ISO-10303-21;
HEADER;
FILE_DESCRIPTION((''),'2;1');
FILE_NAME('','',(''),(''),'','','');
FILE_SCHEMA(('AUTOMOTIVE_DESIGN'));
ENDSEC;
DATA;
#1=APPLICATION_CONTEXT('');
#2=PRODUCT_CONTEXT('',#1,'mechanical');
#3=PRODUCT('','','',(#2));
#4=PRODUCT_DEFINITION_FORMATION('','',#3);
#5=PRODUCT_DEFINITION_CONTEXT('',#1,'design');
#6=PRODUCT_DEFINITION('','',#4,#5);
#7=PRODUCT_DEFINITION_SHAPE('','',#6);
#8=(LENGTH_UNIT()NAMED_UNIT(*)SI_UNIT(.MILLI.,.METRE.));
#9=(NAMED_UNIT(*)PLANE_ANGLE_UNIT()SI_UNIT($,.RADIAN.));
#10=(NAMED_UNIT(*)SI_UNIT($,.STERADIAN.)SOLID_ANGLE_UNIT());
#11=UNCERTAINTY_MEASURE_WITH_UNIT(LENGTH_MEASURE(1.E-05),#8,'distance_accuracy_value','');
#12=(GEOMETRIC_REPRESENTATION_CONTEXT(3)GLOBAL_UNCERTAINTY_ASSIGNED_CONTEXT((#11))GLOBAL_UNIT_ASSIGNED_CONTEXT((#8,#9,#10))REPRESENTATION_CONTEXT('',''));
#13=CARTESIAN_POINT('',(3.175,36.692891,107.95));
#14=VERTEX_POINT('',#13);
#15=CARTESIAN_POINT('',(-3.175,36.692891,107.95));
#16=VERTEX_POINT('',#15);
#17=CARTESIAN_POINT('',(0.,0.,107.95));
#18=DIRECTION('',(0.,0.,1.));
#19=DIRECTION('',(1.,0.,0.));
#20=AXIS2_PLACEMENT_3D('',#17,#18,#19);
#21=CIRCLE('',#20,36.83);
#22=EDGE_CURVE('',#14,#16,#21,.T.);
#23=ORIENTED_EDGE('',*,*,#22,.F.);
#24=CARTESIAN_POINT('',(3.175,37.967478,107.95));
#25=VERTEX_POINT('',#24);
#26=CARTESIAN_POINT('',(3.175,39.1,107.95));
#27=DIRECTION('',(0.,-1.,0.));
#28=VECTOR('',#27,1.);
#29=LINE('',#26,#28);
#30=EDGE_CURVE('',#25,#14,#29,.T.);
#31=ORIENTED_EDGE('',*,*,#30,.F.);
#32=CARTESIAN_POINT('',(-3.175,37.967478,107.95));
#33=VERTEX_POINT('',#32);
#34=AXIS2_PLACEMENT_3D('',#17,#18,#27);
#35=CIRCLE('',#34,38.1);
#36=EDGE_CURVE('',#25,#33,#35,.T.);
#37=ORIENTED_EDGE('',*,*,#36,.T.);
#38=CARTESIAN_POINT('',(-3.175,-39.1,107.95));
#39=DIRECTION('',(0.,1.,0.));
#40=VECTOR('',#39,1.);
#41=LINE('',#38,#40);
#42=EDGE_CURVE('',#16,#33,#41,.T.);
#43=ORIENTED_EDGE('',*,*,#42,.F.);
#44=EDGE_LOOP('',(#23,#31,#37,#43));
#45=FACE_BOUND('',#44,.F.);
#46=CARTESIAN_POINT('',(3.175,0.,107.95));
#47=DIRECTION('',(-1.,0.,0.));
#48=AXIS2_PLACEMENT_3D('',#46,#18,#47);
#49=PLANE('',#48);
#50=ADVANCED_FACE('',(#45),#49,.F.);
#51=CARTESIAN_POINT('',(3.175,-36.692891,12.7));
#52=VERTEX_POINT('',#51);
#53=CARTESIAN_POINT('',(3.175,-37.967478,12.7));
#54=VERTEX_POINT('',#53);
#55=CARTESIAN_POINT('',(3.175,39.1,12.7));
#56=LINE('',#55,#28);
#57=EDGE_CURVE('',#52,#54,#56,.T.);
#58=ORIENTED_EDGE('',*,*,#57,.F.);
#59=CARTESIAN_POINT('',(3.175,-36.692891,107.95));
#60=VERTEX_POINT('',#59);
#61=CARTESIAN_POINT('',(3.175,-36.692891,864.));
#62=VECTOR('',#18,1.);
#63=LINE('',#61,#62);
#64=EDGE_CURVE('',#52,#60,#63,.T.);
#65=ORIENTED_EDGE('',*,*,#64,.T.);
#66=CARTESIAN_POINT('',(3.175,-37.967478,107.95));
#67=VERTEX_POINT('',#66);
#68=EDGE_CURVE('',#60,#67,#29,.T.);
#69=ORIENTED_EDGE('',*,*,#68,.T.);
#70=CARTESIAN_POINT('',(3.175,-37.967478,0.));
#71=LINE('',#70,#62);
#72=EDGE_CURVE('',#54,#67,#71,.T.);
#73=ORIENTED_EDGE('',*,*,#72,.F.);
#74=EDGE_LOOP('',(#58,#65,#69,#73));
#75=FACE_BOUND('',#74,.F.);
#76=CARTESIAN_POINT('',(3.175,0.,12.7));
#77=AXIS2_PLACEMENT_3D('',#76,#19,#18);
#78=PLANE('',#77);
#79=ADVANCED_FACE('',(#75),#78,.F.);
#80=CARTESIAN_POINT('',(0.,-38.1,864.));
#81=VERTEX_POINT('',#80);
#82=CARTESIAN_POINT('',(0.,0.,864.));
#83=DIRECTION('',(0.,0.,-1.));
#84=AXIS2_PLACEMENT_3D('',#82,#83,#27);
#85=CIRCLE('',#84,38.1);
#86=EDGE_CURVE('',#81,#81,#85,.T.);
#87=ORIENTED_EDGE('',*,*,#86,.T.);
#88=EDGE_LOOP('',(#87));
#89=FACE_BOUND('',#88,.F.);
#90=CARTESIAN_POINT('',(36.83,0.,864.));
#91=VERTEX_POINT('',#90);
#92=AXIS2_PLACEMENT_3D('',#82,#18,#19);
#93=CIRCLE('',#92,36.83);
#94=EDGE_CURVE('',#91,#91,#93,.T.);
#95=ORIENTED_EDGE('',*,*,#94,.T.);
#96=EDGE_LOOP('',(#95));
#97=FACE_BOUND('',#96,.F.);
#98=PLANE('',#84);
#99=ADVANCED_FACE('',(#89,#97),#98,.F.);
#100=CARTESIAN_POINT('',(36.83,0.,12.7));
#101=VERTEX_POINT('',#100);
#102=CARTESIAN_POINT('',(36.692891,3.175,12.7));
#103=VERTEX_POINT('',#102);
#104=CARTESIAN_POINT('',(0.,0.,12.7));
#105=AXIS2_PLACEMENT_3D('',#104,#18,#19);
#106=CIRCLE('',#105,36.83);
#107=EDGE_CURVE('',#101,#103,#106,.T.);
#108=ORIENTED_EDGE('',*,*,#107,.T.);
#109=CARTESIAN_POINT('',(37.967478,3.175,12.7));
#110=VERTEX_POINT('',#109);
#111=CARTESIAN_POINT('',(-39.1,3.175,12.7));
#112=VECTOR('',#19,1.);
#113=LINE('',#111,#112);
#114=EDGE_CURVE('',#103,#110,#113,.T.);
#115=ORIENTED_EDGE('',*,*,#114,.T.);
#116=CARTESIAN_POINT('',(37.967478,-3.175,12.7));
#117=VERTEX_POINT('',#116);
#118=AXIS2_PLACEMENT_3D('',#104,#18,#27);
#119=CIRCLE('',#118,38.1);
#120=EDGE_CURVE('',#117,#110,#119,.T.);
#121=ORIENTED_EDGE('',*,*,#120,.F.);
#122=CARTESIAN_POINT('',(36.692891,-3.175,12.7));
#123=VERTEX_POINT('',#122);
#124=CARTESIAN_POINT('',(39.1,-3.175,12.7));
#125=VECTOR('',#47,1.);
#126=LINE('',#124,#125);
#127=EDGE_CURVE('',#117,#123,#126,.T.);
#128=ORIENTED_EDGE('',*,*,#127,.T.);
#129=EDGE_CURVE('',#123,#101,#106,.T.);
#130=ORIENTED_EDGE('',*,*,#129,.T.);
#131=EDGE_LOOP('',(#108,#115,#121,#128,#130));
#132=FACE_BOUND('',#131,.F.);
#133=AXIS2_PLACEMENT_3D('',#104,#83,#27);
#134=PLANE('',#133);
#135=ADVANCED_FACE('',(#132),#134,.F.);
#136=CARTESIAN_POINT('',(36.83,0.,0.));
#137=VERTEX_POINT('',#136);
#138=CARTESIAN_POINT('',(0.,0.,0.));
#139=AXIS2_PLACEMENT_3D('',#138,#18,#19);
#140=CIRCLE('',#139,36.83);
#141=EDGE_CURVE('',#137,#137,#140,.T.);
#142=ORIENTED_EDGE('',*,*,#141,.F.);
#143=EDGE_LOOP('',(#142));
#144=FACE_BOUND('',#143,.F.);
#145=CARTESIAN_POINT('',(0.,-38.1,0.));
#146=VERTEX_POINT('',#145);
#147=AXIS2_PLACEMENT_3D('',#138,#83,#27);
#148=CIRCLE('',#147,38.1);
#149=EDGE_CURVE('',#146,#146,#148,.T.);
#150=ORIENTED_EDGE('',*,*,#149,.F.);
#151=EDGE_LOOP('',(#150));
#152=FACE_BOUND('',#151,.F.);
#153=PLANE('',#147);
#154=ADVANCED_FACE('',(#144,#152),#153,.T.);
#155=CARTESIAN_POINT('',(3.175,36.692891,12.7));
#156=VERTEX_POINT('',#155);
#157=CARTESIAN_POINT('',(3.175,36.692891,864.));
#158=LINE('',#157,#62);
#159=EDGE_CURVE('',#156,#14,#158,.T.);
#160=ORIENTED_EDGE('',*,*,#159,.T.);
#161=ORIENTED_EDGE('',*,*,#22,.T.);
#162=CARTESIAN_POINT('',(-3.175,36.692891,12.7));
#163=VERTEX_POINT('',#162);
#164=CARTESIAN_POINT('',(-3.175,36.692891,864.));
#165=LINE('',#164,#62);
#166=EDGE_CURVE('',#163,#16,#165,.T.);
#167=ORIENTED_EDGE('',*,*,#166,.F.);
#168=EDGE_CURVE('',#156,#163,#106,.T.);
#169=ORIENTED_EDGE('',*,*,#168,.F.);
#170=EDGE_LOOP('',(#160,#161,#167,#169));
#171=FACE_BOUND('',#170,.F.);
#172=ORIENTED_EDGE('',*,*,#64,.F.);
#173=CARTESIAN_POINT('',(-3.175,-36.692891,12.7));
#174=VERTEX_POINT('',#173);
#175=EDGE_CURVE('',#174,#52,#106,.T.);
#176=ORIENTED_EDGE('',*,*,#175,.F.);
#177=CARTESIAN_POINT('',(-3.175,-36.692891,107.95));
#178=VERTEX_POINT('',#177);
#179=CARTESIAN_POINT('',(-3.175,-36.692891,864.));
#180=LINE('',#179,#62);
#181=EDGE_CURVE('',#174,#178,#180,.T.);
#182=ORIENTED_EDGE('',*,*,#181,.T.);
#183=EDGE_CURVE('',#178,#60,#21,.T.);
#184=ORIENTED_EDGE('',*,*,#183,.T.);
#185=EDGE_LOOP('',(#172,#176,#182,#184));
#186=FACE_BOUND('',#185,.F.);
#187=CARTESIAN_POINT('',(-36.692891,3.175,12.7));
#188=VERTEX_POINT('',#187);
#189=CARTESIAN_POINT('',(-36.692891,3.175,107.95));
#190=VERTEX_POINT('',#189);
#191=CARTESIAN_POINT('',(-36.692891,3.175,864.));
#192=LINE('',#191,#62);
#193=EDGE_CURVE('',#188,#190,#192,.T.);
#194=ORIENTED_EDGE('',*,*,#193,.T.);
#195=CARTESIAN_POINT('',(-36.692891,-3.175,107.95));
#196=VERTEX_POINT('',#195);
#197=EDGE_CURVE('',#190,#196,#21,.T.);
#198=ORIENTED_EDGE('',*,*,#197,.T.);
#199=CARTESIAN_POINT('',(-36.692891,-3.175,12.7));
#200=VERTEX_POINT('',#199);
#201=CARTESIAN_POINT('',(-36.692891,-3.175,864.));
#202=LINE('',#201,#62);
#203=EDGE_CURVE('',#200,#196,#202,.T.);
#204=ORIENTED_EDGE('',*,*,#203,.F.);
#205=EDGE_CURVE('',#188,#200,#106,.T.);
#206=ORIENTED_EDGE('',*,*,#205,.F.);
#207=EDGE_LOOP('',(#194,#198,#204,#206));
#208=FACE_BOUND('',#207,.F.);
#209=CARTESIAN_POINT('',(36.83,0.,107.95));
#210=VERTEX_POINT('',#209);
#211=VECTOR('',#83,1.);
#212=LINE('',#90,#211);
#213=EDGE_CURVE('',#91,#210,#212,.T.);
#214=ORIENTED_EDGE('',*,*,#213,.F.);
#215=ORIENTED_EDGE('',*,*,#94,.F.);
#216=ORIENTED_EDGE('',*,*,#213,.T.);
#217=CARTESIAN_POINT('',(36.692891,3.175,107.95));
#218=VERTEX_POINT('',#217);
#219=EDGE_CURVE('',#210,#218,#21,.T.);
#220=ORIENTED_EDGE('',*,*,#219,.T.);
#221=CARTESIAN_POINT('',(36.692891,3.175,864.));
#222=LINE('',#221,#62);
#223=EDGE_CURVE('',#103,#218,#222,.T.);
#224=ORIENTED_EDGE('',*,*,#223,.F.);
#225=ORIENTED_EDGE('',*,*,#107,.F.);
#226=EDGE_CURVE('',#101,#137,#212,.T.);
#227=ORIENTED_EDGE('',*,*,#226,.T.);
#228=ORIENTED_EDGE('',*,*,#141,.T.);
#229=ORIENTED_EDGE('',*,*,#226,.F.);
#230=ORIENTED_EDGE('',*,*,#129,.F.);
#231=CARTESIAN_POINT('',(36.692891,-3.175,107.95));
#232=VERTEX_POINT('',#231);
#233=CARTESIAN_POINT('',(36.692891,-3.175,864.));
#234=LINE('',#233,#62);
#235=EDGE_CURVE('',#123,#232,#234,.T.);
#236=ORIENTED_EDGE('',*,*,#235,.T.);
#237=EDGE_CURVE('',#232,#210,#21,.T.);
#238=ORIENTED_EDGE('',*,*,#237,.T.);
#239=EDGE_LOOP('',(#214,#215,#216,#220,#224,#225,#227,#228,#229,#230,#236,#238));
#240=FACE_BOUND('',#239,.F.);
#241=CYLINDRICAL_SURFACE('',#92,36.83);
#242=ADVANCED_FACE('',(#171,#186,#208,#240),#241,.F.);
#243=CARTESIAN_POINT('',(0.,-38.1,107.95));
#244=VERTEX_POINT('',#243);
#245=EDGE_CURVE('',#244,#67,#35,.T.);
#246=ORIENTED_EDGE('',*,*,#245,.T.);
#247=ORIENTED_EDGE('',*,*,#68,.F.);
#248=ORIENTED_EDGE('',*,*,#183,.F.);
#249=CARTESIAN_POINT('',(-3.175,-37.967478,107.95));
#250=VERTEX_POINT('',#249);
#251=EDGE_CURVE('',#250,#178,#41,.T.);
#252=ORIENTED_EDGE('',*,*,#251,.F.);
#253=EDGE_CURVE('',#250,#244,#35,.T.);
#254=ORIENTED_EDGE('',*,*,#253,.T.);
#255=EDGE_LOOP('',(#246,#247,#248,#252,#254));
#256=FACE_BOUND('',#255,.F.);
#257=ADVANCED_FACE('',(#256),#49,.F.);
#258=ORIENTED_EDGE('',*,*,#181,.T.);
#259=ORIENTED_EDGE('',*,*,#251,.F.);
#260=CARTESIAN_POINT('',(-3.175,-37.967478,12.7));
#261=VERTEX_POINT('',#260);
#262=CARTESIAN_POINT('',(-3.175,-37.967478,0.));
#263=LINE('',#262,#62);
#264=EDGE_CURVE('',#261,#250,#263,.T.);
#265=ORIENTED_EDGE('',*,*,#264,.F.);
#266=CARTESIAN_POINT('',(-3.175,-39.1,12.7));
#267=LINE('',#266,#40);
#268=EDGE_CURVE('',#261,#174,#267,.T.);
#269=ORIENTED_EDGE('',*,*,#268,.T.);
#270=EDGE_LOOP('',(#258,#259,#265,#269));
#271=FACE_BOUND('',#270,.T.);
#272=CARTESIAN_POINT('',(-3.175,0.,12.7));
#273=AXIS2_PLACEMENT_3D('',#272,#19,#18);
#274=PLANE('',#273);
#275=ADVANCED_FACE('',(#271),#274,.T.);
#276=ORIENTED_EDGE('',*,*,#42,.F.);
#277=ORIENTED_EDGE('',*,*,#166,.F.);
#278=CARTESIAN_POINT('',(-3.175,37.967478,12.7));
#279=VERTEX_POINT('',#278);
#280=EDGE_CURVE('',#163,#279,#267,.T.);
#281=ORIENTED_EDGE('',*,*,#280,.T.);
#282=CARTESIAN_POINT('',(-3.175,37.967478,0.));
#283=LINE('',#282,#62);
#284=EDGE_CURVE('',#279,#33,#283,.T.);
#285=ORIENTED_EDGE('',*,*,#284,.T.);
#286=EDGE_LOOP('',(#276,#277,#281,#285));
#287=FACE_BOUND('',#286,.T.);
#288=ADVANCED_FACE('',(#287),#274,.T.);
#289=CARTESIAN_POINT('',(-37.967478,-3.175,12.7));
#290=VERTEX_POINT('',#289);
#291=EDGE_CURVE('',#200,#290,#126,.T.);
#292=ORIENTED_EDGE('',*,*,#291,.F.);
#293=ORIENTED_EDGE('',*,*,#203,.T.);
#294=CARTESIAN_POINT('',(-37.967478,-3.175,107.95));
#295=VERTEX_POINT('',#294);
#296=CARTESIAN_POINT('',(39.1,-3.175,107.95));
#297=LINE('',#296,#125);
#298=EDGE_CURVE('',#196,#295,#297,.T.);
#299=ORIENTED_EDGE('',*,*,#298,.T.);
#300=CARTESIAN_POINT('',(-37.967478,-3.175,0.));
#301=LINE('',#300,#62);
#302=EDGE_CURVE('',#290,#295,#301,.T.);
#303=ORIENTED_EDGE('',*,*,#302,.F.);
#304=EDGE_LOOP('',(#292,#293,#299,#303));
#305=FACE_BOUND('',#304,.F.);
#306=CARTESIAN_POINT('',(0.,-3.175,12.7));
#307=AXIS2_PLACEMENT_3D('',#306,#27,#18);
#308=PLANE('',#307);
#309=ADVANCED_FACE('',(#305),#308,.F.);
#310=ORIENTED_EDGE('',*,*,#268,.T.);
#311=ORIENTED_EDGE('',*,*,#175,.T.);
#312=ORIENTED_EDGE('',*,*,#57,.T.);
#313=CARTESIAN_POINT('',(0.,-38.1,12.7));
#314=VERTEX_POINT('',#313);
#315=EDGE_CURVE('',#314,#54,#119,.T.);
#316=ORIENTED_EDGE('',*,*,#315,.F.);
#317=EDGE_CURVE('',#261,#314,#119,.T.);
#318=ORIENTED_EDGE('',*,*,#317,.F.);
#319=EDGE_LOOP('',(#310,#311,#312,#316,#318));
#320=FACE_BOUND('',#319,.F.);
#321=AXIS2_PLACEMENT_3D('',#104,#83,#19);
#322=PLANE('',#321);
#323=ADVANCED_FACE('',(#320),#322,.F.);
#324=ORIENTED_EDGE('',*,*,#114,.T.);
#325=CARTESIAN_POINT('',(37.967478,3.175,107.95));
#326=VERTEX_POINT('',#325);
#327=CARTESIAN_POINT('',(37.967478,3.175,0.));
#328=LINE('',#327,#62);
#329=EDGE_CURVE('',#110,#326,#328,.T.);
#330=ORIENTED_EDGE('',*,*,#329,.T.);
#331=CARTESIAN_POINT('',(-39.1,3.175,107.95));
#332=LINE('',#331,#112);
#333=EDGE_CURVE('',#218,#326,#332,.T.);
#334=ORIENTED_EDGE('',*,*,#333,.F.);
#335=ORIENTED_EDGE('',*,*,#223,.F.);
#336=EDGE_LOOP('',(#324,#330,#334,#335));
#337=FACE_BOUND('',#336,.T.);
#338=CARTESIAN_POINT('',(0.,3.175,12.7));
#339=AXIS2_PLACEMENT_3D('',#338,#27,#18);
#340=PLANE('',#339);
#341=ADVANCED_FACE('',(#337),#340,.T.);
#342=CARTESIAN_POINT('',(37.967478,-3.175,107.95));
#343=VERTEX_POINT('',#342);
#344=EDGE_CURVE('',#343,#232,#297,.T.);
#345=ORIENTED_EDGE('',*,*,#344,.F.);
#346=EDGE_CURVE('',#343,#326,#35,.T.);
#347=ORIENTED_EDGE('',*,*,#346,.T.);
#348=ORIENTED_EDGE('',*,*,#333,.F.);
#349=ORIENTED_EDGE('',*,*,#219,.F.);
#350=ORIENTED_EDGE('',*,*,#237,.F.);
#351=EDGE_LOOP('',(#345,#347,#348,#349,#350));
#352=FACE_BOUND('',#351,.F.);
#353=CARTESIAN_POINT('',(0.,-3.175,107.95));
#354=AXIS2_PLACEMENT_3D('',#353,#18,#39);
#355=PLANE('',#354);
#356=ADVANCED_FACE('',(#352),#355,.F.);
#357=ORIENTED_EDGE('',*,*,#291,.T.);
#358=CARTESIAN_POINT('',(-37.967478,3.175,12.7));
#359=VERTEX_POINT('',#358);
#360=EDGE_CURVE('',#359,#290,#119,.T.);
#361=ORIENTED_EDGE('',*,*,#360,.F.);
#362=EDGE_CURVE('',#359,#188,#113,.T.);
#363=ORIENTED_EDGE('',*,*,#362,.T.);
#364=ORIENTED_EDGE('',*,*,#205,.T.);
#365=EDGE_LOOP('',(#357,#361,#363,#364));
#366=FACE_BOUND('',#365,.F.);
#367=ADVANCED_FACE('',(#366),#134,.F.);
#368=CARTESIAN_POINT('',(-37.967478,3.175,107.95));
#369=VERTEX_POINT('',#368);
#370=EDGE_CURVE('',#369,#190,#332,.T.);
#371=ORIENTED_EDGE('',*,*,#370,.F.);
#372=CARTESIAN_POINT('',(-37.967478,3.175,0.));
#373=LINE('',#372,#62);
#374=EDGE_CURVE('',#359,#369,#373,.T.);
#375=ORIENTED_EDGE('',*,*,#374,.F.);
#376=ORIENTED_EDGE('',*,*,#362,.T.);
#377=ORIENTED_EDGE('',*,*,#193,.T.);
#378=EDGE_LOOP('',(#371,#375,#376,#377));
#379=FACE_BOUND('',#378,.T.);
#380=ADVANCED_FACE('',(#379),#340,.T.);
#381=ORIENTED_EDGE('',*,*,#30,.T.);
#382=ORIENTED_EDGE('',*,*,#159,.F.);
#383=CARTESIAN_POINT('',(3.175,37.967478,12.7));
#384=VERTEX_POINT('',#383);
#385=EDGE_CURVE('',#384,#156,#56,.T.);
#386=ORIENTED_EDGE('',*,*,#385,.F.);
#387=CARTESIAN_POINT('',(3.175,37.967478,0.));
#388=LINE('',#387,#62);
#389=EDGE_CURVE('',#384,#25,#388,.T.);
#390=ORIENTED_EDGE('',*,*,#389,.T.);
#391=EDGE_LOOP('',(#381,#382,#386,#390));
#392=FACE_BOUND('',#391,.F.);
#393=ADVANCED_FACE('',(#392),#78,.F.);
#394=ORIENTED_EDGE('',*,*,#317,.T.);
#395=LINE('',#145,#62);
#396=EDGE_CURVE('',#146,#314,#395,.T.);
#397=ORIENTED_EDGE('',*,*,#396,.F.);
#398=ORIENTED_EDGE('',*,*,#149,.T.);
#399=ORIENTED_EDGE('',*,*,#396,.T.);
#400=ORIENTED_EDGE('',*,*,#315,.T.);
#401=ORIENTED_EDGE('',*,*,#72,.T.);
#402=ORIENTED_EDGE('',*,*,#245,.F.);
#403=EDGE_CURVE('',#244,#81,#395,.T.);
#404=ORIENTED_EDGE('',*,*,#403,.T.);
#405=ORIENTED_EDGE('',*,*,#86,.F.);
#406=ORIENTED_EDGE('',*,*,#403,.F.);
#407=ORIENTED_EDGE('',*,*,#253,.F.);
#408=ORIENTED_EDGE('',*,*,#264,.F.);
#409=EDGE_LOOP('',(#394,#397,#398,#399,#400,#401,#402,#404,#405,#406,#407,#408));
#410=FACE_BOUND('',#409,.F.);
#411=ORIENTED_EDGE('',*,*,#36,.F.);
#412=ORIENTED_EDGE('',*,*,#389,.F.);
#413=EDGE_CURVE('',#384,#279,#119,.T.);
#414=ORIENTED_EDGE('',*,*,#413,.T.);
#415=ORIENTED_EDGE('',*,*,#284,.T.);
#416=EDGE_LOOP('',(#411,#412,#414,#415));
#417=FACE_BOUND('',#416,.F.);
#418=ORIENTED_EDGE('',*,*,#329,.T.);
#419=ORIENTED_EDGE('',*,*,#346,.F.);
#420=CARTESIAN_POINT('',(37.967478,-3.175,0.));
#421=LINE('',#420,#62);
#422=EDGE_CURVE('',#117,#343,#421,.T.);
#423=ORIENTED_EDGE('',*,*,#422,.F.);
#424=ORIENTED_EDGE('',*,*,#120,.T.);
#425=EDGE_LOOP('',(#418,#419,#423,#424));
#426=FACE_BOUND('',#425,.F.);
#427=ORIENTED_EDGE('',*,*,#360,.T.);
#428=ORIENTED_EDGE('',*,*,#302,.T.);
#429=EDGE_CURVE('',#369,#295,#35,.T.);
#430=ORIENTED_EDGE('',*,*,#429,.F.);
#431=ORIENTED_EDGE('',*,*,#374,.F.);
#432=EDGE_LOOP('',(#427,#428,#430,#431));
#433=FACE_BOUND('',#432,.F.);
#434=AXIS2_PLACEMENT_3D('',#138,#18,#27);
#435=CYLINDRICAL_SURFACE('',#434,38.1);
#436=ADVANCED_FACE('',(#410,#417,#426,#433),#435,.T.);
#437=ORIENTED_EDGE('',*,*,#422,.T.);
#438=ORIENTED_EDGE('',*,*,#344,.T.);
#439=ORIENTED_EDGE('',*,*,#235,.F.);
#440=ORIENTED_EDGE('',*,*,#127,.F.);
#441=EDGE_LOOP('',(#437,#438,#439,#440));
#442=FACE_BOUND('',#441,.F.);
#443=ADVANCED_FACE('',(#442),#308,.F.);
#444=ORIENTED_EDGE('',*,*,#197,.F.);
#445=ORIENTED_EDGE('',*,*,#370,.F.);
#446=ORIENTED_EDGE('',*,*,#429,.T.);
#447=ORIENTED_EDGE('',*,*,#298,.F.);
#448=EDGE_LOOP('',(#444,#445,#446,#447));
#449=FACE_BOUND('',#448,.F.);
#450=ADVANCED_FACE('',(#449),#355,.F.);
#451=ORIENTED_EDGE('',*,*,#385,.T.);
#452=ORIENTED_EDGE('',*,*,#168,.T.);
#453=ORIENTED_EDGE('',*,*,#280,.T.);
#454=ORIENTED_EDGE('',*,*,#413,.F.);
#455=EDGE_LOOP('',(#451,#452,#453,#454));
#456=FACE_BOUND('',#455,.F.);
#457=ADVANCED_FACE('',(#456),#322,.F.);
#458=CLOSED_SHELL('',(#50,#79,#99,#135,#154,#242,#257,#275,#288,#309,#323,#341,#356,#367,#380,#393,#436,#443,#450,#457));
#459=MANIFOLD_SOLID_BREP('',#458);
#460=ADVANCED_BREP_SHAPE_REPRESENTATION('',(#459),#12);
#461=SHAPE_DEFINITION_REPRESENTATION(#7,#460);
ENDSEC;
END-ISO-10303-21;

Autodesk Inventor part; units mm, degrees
ref_plane "YZ Plane" through (0, 0, 0) normal (1, 0, 0) x (0, 1, 0)
ref_plane "XZ Plane" through (0, 0, 0) normal (0, 1, 0) x (-1, 0, 0)
ref_plane "XY Plane" through (0, 0, 0) normal (0, 0, 1) x (1, 0, 0)
sketch "Sketch1" plane through (0, 0, 0) normal (1, 0, 0) x (0, 1, 0)
  line L0 (0, 0) -> (-38.1, 0)
  line L1 (-38.1, 0) -> (-38.1, 864)
  line L2 (-38.1, 864) -> (0, 864)
  line L3 (0, 864) -> (0, 0)
  dimension "d0" = 38.1
  dimension "d1" = 864
revolve "Revolution1" add sketch "Sketch1" angle 360 about axis through (0, 0, 864) along (0, 0, -1)
sketch "Sketch2" plane through (0, 0, 864) normal (0, 0, 1) x (1, 0, 0)
  circle A0 centre (0, 0) radius 36.83
  circle A1 centre (0, 0) radius 38.1 projected
  dimension "d3" = 1.27
extrude "Extrusion1" cut sketch "Sketch2" against normal through all contours A0
sketch "Sketch3" plane through (0, 0, 0) normal (1, 0, 0) x (0, 1, 0)
  line L0 (0, 0) -> (0, 12.7)
  line L1 (0, 12.7) -> (3.175, 12.7)
  line L2 (3.175, 12.7) -> (3.175, 107.95)
  line L3 (3.175, 107.95) -> (0, 107.95)
  line L4 (0, 12.7) -> (-3.175, 12.7)
  line L5 (-3.175, 12.7) -> (-3.175, 107.95)
  line L6 (-3.175, 107.95) -> (0, 107.95)
  dimension "d6" = 12.7
  dimension "d10" = 3.175
  dimension "d11" = 95.25
  dimension "d12" = 3.175
extrude "Extrusion2" cut sketch "Sketch3" along normal through all both and the other way through all
sketch "Sketch4" plane through (0, 0, 0) normal (0, 1, 0) x (-1, 0, 0)
  line L0 (0, 0) -> (0, 12.7)
  line L1 (0, 12.7) -> (3.175, 12.7)
  line L2 (3.175, 12.7) -> (3.175, 107.95)
  line L3 (3.175, 107.95) -> (0, 107.95)
  line L4 (0, 12.7) -> (-3.175, 12.7)
  line L5 (-3.175, 12.7) -> (-3.175, 107.95)
  line L6 (-3.175, 107.95) -> (0, 107.95)
  dimension "d15" = 12.7
  dimension "d16" = 3.175
  dimension "d17" = 95.25
  dimension "d18" = 3.175
  dimension "d19" = 95.25
extrude "Extrusion3" cut sketch "Sketch4" along normal through all both and the other way through all
properties part number "Body Tube"
